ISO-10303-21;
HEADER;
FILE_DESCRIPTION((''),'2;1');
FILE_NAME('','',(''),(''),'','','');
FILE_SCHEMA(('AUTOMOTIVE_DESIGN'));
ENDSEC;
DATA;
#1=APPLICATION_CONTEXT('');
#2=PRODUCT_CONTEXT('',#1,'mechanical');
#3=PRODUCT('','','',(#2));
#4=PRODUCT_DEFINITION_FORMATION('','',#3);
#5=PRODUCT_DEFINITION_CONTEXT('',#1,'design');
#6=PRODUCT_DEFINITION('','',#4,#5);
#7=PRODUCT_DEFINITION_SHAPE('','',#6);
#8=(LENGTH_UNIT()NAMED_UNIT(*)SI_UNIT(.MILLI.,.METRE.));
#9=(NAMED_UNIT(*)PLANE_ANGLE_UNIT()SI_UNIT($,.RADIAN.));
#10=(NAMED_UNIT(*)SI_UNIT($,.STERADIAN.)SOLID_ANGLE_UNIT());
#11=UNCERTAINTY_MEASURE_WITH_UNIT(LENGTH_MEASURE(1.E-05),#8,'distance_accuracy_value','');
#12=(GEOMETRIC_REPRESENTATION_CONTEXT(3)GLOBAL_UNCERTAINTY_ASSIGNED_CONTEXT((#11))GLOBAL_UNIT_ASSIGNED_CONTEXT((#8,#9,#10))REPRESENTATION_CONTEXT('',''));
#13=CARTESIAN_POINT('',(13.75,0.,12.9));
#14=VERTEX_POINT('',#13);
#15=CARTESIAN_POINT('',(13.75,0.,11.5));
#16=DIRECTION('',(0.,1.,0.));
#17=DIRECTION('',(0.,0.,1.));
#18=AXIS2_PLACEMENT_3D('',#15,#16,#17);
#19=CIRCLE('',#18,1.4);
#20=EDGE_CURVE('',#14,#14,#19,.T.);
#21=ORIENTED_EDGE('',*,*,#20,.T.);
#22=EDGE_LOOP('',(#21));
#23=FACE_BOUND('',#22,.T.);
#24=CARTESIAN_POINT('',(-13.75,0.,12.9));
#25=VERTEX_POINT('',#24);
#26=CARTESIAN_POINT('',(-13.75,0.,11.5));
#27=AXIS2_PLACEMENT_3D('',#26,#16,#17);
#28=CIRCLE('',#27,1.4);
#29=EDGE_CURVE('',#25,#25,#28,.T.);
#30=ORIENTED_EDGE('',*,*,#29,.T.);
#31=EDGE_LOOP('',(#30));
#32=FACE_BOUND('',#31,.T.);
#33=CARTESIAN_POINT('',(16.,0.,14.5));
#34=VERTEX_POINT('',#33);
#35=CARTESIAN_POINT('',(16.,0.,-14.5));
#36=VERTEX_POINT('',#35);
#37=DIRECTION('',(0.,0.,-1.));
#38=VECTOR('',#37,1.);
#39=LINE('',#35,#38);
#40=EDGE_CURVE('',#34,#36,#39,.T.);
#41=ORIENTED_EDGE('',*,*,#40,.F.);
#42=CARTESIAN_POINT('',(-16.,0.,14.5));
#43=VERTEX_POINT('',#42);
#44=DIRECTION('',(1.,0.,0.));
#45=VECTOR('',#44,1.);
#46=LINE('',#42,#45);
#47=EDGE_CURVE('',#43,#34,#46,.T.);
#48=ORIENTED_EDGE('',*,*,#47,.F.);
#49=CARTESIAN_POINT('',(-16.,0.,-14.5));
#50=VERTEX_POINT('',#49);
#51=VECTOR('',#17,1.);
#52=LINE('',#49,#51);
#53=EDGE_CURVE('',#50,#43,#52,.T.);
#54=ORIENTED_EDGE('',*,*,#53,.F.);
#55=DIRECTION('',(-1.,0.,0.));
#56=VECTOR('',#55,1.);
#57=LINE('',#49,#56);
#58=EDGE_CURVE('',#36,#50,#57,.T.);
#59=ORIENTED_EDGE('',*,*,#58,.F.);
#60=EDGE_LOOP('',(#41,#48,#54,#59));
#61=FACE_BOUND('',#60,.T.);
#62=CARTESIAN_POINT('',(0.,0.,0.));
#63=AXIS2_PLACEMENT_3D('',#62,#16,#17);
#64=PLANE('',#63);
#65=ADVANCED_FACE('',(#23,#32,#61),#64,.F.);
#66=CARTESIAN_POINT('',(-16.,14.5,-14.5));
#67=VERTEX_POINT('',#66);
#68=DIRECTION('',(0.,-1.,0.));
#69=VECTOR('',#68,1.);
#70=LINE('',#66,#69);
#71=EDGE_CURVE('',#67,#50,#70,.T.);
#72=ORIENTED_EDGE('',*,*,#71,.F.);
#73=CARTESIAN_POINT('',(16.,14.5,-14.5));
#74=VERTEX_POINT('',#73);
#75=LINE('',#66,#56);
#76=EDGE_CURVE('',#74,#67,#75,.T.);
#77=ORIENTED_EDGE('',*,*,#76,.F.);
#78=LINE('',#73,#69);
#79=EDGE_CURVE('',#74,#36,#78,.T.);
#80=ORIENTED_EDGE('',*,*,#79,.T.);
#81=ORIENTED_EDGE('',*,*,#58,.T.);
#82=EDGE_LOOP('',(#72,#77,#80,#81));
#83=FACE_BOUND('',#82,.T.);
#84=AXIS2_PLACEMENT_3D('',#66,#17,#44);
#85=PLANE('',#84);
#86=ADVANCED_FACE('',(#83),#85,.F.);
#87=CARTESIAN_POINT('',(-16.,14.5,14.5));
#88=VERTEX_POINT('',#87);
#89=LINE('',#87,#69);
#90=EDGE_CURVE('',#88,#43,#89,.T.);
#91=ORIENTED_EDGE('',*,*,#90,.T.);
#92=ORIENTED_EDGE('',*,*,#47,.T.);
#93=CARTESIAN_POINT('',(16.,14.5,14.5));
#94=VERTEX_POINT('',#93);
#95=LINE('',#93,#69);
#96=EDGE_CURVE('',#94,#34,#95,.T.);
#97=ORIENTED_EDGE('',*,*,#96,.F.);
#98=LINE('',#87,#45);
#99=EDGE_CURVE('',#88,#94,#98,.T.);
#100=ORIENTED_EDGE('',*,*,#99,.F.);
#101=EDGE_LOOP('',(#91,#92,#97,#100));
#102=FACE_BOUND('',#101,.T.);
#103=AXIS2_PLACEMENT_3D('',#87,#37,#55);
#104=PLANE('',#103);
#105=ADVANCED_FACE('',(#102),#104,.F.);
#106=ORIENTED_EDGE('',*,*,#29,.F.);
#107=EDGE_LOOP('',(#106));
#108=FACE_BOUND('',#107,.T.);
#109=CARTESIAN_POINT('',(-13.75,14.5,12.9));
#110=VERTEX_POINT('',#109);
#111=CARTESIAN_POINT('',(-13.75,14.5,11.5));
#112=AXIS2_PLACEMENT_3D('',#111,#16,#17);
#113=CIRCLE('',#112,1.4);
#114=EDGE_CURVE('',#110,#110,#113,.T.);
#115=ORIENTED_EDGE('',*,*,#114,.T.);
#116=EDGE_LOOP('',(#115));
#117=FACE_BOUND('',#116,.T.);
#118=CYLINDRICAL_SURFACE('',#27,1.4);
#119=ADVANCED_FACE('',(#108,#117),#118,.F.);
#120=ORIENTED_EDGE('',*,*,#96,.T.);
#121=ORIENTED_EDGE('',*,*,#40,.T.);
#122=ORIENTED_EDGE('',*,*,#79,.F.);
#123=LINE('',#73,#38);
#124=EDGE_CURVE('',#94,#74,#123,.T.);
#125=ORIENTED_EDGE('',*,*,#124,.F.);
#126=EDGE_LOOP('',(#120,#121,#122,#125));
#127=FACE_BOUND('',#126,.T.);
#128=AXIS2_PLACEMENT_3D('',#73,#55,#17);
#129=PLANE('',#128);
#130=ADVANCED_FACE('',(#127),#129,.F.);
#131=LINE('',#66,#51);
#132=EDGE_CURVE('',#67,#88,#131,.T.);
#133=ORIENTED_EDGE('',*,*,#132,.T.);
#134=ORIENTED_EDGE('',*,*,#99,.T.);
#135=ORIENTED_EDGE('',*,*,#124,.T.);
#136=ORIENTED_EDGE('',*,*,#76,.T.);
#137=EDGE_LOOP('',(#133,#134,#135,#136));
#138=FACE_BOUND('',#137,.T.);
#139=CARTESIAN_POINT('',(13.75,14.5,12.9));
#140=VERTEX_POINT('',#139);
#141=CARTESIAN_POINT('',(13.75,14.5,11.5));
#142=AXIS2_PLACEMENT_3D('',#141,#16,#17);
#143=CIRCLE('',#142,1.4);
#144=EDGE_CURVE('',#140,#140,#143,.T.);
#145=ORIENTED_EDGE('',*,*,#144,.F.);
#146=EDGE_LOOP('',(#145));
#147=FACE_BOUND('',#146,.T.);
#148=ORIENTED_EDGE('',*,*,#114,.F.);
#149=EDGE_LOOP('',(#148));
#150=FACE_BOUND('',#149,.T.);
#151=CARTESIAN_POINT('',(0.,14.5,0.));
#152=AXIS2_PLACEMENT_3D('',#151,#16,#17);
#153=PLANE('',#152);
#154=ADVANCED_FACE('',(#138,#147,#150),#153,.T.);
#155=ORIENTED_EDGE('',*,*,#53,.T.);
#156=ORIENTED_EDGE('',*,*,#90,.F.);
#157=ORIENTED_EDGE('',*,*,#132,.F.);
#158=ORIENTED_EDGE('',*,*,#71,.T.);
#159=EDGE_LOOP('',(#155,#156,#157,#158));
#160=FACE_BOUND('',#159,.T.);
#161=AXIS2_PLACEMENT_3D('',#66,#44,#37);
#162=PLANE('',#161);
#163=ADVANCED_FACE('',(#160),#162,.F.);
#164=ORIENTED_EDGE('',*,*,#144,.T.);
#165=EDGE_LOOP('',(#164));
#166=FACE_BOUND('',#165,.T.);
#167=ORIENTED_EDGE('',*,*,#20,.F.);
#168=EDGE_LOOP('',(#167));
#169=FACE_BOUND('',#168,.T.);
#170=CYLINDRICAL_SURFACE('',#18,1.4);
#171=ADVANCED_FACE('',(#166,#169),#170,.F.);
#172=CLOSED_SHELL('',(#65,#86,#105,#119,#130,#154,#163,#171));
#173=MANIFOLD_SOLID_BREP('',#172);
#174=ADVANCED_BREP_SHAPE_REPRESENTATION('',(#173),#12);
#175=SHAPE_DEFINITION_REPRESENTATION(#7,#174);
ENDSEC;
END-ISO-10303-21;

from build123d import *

# Parameters (mm, degrees)
SKETCH_1_W          = 32
SKETCH_1_H          = 29
EXTRUDE_1_DEPTH     = 14.5
SKETCH_2_R          = 1.4
CUT_EXTRUDE_1_DEPTH = 15.5


with BuildPart() as part:
    # 草图1 → 凸台-拉伸1 (new body)
    with BuildSketch(Plane(origin=(0, 0, 0), x_dir=(1, 0, 0), z_dir=(0, 1, 0))):
        Rectangle(SKETCH_1_W, SKETCH_1_H)
    extrude(amount=EXTRUDE_1_DEPTH)

    # 草图2 → 切除-拉伸1 (cut, through all)
    with BuildSketch(Plane(origin=(0, 14.5, 0), x_dir=(1, 0, 0), z_dir=(0, 1, 0))):
        with Locations((-13.75, -11.5)):
            Circle(SKETCH_2_R)
        with Locations((13.75, -11.5)):
            Circle(SKETCH_2_R)
    extrude(amount=-CUT_EXTRUDE_1_DEPTH, mode=Mode.SUBTRACT)


solid = part.part
